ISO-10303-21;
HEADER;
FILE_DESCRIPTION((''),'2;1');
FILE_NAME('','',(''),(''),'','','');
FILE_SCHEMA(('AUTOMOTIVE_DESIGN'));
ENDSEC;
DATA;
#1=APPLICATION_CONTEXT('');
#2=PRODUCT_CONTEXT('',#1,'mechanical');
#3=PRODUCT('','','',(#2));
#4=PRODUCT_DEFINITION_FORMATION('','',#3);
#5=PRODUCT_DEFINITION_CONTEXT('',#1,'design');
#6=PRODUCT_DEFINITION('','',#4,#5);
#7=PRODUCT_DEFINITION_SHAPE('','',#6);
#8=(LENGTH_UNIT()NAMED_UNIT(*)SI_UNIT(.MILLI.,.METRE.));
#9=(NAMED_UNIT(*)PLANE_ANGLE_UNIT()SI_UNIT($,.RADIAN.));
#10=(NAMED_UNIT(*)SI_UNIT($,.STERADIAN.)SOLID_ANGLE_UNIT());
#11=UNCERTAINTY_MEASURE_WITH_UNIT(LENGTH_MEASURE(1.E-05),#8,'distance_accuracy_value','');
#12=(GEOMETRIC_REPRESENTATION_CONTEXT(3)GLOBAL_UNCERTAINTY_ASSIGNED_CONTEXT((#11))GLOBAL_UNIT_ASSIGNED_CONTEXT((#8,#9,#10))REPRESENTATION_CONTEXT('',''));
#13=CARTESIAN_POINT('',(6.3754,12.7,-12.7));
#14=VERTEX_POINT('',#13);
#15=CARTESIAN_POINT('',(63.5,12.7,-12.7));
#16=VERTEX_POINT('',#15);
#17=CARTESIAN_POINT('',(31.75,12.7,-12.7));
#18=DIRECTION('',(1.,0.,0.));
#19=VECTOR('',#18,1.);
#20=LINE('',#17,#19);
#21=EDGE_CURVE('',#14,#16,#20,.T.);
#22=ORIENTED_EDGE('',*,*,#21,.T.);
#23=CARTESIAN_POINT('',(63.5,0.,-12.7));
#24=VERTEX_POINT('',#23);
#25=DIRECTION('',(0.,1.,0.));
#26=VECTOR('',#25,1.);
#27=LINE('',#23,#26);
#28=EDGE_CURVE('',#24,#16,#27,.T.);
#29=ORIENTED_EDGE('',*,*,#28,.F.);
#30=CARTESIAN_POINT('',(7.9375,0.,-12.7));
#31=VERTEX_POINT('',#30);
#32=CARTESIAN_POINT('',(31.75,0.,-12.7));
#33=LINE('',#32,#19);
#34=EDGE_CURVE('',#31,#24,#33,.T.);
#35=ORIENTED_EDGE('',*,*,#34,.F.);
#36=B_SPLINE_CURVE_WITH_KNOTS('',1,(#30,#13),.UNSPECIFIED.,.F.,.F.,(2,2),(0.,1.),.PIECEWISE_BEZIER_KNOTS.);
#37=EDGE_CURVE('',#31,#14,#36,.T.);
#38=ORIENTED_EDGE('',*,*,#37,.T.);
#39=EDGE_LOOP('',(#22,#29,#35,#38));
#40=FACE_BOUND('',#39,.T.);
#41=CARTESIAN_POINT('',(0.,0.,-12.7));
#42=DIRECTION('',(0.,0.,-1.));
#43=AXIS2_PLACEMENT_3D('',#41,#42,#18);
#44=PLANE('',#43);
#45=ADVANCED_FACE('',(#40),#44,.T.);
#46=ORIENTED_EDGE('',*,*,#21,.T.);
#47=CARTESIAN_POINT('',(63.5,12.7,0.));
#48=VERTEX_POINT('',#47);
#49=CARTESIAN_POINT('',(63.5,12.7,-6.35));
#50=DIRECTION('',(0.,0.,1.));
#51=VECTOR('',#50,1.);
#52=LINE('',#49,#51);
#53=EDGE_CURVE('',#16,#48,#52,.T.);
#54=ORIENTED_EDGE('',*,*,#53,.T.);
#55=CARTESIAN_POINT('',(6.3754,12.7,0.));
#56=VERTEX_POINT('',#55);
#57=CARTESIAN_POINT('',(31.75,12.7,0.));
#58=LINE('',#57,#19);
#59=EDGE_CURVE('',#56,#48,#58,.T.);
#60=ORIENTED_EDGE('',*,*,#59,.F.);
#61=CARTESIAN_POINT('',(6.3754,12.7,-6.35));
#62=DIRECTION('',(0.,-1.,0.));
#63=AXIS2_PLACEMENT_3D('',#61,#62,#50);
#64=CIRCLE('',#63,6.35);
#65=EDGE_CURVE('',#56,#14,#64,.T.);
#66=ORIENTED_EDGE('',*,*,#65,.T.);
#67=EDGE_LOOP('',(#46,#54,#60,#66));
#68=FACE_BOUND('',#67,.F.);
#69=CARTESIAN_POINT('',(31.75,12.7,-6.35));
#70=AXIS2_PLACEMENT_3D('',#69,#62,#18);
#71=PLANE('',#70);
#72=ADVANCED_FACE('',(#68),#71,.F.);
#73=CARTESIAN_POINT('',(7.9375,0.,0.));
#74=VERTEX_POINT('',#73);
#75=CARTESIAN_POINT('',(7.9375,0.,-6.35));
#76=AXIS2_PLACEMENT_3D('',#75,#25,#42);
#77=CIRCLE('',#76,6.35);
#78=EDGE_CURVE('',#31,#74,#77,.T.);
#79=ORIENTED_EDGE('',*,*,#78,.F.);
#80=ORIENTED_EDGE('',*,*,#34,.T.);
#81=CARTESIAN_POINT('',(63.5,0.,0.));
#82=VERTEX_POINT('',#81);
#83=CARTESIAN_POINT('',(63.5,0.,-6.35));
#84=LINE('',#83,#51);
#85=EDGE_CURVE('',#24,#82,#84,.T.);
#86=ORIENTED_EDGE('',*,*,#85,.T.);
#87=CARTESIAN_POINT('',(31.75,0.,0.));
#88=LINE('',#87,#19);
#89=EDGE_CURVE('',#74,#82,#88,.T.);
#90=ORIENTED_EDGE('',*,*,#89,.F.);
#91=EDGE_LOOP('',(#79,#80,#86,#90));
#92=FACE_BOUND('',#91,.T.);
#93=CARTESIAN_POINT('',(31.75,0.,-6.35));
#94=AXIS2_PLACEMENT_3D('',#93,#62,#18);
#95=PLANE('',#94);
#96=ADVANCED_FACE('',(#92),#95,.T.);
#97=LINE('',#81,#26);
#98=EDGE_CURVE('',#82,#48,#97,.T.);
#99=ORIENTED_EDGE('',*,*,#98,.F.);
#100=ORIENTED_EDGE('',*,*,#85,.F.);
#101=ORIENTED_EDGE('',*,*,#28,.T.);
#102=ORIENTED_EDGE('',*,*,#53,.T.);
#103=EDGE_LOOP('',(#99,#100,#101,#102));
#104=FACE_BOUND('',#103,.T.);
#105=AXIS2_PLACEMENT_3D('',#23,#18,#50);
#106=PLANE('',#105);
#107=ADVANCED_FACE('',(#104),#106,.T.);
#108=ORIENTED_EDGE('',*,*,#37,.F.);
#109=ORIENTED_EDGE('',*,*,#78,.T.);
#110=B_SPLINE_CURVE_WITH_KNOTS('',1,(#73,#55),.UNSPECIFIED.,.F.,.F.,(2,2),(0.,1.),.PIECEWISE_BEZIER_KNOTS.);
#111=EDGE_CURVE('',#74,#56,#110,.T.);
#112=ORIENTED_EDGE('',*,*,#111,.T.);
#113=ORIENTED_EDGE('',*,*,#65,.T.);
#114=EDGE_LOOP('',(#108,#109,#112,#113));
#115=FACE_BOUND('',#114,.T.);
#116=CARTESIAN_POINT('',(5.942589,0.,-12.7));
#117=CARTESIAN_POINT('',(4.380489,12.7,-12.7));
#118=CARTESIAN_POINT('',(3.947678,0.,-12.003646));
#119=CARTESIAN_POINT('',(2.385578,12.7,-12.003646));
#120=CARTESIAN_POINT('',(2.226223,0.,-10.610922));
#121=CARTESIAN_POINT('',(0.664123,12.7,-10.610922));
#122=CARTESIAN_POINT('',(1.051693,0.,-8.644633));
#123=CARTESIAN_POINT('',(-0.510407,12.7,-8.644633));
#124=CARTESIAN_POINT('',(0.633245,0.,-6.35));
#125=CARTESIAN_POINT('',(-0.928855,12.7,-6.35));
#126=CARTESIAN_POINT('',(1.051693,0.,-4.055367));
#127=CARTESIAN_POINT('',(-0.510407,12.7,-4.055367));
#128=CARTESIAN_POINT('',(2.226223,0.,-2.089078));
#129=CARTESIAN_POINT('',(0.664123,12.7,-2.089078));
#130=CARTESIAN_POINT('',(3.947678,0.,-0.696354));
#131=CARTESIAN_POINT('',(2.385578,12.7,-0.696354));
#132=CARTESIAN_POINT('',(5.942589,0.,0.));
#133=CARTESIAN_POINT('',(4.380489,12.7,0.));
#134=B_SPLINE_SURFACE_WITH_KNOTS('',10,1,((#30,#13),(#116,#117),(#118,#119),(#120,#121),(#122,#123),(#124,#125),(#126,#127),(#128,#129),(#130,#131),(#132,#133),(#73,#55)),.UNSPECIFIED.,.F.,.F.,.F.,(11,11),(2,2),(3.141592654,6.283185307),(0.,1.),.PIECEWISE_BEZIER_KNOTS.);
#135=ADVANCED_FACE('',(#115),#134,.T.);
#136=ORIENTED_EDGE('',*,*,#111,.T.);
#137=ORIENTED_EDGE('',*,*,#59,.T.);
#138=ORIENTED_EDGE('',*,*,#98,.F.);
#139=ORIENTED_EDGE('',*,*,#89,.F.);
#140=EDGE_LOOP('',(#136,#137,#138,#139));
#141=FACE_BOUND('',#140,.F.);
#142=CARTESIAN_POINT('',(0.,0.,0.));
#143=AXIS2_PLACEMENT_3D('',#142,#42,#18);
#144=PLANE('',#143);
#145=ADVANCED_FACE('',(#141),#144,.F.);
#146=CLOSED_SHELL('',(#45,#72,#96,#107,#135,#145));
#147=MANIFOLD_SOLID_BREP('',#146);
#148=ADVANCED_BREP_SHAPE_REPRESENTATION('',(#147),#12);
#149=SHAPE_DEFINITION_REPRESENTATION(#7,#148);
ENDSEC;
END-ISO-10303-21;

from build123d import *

# Parameters (mm, degrees)
F0_W     = 63.5
F0_H     = 12.7
F1_DEPTH = 12.7


with BuildPart() as f1:
    # F0 (on Front) → F1 (new body)
    with BuildSketch(Plane.XZ):
        with Locations((31.75, -6.35)):
            Rectangle(F0_W, F0_H)
    extrude(amount=-F1_DEPTH)

    # F3 (on face) → F4 section 0
    with BuildSketch(Plane.XZ):
        with BuildLine():
            ThreePointArc((7.9375, -12.7), (1.5875, -6.35), (7.9375, 0))
            Line((7.9375, 0), (0, 0))
            Line((0, 0), (0, -12.7))
            Line((0, -12.7), (7.9375, -12.7))
        make_face()
    # F2 (on face) → F4 section 1
    with BuildSketch(Plane(origin=(0, 12.7, 0), x_dir=(-1, 0, 0), z_dir=(0, 1, 0))):
        with BuildLine():
            ThreePointArc((-6.3754, 0), (-0.0254, -6.35), (-6.3754, -12.7))
            Line((-6.3754, -12.7), (0, -12.7))
            Line((0, -12.7), (0, 0))
            Line((0, 0), (-6.3754, 0))
        make_face()
    loft(mode=Mode.SUBTRACT)


solid = f1.part
